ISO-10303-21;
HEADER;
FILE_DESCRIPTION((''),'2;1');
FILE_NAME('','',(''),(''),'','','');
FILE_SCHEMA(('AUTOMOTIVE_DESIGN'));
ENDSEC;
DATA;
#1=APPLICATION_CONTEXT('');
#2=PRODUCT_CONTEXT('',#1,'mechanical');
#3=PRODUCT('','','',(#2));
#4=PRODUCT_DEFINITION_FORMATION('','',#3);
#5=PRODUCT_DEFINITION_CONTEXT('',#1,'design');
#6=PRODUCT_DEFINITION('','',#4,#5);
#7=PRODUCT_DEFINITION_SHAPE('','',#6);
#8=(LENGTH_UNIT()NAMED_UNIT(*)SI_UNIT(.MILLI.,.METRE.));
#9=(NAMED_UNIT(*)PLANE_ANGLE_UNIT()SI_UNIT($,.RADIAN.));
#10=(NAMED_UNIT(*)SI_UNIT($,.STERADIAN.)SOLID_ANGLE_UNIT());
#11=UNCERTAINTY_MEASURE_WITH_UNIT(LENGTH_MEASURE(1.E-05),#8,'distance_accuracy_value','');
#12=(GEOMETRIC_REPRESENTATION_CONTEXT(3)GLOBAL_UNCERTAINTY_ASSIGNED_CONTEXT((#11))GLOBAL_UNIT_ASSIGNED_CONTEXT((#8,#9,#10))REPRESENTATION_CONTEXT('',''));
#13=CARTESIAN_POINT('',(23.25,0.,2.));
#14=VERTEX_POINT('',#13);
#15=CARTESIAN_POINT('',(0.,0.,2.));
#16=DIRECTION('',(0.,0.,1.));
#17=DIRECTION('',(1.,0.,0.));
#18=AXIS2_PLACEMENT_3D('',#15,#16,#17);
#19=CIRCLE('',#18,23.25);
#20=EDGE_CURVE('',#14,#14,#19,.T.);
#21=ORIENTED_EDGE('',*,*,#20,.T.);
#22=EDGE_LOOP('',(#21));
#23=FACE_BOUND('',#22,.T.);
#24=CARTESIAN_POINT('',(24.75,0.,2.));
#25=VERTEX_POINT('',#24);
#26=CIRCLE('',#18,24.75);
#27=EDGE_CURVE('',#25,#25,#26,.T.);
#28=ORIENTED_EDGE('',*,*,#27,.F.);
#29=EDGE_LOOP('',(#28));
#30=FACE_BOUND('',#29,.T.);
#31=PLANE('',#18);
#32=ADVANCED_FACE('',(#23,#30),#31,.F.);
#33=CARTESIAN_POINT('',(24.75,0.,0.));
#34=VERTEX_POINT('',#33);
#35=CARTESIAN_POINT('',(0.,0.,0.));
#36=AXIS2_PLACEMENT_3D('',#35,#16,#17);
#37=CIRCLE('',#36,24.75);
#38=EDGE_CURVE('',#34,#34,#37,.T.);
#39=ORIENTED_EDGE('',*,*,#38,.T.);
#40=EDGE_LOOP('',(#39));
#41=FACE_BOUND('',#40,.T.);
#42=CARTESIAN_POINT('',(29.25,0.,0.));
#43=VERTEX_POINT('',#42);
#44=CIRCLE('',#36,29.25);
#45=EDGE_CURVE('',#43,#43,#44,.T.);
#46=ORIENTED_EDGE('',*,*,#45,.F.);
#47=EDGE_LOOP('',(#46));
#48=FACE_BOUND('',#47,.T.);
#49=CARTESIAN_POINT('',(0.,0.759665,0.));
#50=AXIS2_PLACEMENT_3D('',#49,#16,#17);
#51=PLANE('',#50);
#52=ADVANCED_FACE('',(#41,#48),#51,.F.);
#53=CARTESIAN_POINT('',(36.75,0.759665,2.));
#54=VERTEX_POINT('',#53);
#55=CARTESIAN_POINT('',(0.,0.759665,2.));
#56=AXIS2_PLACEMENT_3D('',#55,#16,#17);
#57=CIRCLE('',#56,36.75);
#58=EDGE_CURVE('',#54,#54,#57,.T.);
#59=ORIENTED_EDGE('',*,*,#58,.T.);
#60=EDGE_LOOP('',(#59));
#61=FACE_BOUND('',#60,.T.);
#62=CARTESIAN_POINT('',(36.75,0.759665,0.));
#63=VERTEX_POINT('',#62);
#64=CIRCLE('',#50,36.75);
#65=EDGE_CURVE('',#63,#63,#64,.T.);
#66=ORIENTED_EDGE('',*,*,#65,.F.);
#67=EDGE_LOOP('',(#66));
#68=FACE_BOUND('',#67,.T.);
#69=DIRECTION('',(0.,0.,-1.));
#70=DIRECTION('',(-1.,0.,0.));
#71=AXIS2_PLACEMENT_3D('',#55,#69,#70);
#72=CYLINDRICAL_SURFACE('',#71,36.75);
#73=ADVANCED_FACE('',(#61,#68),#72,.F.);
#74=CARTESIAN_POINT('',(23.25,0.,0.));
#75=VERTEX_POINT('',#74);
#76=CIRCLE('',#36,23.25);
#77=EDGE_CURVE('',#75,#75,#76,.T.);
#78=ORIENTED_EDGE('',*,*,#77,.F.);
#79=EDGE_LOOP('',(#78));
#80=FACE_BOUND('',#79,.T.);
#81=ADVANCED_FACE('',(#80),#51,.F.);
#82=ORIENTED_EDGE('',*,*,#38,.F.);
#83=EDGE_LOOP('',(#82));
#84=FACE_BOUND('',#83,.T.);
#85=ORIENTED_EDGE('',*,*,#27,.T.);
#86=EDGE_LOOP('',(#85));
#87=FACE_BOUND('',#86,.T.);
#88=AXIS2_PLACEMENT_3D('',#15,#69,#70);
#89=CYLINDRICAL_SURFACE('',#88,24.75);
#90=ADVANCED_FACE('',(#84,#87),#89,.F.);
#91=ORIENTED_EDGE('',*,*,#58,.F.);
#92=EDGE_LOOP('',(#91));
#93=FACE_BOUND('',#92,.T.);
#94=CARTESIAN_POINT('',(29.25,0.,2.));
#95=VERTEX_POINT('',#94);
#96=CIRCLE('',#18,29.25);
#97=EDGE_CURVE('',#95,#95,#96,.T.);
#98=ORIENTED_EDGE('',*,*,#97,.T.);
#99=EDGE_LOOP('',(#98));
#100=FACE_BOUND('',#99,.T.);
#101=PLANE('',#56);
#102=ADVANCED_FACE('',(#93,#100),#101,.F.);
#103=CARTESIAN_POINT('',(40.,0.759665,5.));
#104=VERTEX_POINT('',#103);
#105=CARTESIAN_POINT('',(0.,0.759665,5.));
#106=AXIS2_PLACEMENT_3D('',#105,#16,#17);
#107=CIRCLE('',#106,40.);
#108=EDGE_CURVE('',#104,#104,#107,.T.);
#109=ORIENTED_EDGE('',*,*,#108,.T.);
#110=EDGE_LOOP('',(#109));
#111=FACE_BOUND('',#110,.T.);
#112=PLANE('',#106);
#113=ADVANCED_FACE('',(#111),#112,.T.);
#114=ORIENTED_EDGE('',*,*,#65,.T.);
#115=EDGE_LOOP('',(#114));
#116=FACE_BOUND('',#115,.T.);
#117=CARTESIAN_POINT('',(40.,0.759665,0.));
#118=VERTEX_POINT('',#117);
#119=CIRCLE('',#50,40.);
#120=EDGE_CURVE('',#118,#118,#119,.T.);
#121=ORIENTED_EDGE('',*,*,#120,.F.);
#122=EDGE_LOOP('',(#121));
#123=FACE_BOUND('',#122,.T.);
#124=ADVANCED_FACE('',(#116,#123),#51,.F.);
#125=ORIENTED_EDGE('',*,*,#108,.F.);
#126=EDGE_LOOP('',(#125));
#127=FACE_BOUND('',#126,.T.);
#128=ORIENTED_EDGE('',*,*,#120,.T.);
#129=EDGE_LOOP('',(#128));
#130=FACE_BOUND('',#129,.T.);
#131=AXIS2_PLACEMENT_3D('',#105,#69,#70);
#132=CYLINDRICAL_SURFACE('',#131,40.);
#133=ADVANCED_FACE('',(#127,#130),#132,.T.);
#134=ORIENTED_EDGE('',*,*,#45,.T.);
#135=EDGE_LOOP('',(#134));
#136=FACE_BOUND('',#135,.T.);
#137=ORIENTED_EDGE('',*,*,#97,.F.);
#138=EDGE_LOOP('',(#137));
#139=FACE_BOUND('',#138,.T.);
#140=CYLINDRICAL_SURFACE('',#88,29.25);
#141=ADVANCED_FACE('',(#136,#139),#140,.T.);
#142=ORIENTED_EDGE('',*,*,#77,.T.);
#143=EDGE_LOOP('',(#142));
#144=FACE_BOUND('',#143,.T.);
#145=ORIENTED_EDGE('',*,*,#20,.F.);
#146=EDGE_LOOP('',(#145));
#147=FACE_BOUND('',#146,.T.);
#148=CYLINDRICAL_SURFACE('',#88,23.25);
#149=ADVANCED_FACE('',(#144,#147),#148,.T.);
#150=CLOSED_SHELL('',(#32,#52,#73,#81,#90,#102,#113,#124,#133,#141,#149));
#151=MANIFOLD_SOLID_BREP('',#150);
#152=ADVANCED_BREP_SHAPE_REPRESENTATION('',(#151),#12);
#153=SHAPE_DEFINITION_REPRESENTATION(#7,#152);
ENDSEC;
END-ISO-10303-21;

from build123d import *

# Parameters (mm, degrees)
SKETCH_2_R          = 40
EXTRUDE_1_DEPTH     = 5
SKETCH_1_R          = 36.75
SKETCH_1_R_2        = 29.25
SKETCH_1_R_3        = 24.75
SKETCH_1_R_4        = 23.25
CUT_EXTRUDE_1_DEPTH = 2


with BuildPart() as part:
    # 草图2 → 凸台-拉伸1 (new body)
    with BuildSketch(Plane.XY):
        with Locations((0, 0.759664545)):
            Circle(SKETCH_2_R)
    extrude(amount=EXTRUDE_1_DEPTH)

    # 草图1 → 切除-拉伸1 (cut)
    # profile 1 of 2: a face of its own
    with BuildSketch(Plane.XY):
        with Locations((0, 0.759664545)):
            Circle(SKETCH_1_R)
        Circle(SKETCH_1_R_2, mode=Mode.SUBTRACT)
    # profile 2 of 2: a face of its own
    with BuildSketch(Plane.XY):
        Circle(SKETCH_1_R_3)
        Circle(SKETCH_1_R_4, mode=Mode.SUBTRACT)
    extrude(amount=CUT_EXTRUDE_1_DEPTH, mode=Mode.SUBTRACT)


solid = part.part
